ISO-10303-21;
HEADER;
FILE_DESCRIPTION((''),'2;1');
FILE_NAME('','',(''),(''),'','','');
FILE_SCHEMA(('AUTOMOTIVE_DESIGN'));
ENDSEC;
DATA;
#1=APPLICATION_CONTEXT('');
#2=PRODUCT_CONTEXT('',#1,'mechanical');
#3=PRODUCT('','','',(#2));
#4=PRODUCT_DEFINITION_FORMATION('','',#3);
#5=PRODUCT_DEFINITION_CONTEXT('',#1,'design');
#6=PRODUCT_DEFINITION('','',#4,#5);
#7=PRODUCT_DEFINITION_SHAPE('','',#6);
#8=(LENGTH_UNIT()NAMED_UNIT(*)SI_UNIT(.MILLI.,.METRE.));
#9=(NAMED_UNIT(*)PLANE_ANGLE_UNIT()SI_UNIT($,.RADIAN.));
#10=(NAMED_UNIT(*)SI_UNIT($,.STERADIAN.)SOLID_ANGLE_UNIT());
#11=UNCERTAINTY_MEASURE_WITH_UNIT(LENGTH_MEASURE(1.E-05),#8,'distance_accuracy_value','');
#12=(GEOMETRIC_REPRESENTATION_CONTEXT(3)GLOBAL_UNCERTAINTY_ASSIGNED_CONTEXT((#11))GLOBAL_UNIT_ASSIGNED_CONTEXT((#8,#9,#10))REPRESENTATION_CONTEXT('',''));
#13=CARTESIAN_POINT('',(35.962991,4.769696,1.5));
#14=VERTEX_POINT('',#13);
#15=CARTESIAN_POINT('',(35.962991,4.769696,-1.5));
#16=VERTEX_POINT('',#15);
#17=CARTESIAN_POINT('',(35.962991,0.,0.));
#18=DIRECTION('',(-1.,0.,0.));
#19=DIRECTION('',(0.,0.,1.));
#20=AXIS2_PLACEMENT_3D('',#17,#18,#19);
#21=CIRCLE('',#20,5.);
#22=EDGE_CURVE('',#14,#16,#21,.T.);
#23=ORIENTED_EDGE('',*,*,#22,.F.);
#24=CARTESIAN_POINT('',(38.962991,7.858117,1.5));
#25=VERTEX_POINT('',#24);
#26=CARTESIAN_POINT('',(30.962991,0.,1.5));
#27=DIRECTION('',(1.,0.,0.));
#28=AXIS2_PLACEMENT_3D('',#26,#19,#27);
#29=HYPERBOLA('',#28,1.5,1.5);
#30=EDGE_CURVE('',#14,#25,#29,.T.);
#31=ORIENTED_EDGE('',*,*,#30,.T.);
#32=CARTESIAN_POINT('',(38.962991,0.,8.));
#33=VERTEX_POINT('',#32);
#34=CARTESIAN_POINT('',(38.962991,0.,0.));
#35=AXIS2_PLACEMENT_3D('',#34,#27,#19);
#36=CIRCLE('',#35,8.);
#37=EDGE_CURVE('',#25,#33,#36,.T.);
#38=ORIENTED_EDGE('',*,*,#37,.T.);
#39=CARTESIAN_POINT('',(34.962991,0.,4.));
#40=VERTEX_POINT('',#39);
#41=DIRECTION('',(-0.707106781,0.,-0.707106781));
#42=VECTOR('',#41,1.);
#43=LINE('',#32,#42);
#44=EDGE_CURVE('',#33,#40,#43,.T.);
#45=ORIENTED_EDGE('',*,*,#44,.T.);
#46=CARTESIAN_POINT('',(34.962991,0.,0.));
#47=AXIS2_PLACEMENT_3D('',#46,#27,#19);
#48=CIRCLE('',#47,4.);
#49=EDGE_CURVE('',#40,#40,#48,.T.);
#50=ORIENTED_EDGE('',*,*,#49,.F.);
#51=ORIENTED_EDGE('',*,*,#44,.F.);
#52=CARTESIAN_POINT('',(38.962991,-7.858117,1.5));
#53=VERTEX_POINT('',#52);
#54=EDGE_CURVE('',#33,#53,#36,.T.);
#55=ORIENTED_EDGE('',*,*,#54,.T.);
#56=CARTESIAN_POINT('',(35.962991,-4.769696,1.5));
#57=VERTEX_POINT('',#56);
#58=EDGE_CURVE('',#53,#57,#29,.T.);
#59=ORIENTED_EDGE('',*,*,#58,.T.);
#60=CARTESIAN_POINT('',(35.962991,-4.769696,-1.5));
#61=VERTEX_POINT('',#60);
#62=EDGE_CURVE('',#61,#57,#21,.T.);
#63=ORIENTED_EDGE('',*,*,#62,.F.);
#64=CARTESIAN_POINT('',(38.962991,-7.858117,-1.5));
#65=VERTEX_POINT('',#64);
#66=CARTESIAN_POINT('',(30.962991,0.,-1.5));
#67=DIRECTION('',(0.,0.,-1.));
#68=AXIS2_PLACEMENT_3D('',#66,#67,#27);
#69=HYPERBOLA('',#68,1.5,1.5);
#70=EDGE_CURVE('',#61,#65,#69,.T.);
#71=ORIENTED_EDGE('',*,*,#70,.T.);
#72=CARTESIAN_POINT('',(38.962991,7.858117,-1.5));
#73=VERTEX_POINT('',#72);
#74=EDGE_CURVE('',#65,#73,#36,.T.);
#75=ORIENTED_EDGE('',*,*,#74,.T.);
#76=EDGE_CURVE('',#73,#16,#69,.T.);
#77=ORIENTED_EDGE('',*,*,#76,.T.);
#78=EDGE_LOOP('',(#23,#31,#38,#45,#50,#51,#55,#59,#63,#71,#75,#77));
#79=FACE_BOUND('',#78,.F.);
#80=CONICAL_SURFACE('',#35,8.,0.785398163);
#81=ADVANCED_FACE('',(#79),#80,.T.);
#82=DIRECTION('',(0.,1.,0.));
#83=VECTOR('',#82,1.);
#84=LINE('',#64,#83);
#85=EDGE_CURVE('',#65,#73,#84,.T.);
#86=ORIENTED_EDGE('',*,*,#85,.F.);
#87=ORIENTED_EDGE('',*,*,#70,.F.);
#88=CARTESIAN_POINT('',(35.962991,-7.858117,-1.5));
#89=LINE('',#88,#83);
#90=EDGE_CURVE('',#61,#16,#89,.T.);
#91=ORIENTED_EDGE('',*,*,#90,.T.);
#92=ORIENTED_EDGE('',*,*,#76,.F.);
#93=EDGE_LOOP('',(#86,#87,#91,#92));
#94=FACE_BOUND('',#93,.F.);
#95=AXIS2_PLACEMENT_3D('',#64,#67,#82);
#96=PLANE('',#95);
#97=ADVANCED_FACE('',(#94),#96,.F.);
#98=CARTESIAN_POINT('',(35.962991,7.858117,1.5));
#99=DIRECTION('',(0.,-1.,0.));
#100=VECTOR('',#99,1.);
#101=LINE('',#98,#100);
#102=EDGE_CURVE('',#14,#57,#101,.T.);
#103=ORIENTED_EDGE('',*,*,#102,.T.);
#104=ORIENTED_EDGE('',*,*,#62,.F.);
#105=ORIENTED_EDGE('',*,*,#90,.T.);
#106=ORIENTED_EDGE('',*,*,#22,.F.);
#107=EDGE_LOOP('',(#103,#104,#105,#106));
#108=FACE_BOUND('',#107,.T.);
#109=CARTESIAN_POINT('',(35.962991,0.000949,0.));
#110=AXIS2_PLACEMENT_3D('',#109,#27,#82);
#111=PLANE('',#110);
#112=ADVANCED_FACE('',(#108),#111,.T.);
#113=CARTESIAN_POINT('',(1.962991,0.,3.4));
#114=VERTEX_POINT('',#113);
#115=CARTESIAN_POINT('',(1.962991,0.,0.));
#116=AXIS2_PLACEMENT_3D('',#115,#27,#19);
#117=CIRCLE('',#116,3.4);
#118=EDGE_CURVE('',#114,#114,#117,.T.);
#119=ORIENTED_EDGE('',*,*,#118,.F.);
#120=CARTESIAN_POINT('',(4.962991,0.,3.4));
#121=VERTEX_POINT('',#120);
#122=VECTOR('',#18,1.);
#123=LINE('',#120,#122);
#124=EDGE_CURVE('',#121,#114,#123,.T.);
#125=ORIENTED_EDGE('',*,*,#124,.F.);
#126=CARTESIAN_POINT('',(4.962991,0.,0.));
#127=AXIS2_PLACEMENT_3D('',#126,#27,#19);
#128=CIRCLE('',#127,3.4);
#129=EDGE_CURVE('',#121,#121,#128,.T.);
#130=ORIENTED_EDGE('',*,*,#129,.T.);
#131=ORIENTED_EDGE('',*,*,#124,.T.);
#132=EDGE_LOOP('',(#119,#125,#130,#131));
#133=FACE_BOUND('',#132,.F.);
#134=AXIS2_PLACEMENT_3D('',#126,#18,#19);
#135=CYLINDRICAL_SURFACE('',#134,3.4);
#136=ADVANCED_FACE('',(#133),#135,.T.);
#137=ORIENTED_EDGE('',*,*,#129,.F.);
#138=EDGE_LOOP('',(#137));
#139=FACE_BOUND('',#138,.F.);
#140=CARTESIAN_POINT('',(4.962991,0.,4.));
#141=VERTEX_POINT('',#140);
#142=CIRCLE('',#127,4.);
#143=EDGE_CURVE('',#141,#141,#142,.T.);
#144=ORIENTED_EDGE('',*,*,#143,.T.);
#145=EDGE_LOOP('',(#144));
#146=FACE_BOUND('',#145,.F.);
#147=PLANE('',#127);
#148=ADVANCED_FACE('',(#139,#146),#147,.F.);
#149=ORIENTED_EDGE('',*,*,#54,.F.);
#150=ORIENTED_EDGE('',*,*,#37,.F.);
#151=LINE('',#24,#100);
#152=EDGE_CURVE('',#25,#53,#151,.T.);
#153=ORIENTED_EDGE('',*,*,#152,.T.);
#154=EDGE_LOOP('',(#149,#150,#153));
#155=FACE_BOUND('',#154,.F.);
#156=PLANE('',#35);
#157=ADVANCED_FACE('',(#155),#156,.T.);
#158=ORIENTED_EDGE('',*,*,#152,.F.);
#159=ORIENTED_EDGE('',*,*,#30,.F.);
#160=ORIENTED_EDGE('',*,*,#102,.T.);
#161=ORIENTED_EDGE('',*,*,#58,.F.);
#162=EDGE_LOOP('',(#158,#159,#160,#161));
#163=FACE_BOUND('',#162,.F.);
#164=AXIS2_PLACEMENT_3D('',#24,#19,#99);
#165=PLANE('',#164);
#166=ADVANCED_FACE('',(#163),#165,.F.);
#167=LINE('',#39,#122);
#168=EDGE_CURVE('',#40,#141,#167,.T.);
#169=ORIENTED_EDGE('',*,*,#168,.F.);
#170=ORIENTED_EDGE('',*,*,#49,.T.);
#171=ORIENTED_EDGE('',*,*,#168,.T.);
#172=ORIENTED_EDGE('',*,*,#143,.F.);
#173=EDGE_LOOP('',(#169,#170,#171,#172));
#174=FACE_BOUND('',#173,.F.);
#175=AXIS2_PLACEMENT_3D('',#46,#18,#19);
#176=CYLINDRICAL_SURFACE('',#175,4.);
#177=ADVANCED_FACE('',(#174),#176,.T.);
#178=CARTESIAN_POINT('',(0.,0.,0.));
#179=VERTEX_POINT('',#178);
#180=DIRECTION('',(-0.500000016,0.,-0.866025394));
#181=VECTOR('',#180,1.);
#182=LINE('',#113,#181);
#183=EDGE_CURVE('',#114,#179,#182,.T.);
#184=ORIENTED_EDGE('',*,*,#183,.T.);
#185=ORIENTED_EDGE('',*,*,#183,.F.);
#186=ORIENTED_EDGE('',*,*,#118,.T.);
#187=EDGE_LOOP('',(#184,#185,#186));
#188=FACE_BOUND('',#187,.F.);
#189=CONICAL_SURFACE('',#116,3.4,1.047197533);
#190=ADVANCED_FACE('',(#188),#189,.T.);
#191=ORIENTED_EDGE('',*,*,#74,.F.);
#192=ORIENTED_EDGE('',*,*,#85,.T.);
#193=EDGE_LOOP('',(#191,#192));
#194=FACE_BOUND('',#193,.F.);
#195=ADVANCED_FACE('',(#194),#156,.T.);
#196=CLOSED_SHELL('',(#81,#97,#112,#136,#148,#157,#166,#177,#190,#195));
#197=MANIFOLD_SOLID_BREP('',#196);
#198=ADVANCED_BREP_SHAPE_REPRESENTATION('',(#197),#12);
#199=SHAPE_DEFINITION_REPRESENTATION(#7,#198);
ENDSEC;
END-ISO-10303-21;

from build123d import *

# Parameters (mm, degrees)
F3_DEPTH = 3


with BuildPart() as f1:
    # F0 (on Front) → F1 (revolve)
    with BuildSketch(Plane.XZ):
        Polygon((34.962991, 4), (34.962991, 0), (38.962991, 0), (38.962991, 8), align=None)
        Polygon((4.962991, 3.4), (4.962991, 0), (34.962991, 0), (34.962991, 4), (4.962991, 4), align=None)
        Polygon((1.962991, 3.4), (0, 0), (4.962991, 0), (4.962991, 3.4), align=None)
    revolve(axis=Axis((9.715057, 0, 0), (1, 0, 0)))

    # F2 (on face) → F3 (cut)
    with BuildSketch(Plane.YZ.offset(38.962991)):
        with BuildLine():
            Line((7.858117, 1.5), (-7.858117, 1.5))
            ThreePointArc((-7.858117, 1.5), (-8, 0), (-7.858117, -1.5))
            Line((-7.858117, -1.5), (7.858117, -1.5))
            ThreePointArc((7.858117, -1.5), (7.96445, -0.753348), (8, 0))
            ThreePointArc((8, 0), (7.96445, 0.753348), (7.858117, 1.5))
        make_face()
    extrude(amount=-F3_DEPTH, mode=Mode.SUBTRACT)


solid = f1.part
